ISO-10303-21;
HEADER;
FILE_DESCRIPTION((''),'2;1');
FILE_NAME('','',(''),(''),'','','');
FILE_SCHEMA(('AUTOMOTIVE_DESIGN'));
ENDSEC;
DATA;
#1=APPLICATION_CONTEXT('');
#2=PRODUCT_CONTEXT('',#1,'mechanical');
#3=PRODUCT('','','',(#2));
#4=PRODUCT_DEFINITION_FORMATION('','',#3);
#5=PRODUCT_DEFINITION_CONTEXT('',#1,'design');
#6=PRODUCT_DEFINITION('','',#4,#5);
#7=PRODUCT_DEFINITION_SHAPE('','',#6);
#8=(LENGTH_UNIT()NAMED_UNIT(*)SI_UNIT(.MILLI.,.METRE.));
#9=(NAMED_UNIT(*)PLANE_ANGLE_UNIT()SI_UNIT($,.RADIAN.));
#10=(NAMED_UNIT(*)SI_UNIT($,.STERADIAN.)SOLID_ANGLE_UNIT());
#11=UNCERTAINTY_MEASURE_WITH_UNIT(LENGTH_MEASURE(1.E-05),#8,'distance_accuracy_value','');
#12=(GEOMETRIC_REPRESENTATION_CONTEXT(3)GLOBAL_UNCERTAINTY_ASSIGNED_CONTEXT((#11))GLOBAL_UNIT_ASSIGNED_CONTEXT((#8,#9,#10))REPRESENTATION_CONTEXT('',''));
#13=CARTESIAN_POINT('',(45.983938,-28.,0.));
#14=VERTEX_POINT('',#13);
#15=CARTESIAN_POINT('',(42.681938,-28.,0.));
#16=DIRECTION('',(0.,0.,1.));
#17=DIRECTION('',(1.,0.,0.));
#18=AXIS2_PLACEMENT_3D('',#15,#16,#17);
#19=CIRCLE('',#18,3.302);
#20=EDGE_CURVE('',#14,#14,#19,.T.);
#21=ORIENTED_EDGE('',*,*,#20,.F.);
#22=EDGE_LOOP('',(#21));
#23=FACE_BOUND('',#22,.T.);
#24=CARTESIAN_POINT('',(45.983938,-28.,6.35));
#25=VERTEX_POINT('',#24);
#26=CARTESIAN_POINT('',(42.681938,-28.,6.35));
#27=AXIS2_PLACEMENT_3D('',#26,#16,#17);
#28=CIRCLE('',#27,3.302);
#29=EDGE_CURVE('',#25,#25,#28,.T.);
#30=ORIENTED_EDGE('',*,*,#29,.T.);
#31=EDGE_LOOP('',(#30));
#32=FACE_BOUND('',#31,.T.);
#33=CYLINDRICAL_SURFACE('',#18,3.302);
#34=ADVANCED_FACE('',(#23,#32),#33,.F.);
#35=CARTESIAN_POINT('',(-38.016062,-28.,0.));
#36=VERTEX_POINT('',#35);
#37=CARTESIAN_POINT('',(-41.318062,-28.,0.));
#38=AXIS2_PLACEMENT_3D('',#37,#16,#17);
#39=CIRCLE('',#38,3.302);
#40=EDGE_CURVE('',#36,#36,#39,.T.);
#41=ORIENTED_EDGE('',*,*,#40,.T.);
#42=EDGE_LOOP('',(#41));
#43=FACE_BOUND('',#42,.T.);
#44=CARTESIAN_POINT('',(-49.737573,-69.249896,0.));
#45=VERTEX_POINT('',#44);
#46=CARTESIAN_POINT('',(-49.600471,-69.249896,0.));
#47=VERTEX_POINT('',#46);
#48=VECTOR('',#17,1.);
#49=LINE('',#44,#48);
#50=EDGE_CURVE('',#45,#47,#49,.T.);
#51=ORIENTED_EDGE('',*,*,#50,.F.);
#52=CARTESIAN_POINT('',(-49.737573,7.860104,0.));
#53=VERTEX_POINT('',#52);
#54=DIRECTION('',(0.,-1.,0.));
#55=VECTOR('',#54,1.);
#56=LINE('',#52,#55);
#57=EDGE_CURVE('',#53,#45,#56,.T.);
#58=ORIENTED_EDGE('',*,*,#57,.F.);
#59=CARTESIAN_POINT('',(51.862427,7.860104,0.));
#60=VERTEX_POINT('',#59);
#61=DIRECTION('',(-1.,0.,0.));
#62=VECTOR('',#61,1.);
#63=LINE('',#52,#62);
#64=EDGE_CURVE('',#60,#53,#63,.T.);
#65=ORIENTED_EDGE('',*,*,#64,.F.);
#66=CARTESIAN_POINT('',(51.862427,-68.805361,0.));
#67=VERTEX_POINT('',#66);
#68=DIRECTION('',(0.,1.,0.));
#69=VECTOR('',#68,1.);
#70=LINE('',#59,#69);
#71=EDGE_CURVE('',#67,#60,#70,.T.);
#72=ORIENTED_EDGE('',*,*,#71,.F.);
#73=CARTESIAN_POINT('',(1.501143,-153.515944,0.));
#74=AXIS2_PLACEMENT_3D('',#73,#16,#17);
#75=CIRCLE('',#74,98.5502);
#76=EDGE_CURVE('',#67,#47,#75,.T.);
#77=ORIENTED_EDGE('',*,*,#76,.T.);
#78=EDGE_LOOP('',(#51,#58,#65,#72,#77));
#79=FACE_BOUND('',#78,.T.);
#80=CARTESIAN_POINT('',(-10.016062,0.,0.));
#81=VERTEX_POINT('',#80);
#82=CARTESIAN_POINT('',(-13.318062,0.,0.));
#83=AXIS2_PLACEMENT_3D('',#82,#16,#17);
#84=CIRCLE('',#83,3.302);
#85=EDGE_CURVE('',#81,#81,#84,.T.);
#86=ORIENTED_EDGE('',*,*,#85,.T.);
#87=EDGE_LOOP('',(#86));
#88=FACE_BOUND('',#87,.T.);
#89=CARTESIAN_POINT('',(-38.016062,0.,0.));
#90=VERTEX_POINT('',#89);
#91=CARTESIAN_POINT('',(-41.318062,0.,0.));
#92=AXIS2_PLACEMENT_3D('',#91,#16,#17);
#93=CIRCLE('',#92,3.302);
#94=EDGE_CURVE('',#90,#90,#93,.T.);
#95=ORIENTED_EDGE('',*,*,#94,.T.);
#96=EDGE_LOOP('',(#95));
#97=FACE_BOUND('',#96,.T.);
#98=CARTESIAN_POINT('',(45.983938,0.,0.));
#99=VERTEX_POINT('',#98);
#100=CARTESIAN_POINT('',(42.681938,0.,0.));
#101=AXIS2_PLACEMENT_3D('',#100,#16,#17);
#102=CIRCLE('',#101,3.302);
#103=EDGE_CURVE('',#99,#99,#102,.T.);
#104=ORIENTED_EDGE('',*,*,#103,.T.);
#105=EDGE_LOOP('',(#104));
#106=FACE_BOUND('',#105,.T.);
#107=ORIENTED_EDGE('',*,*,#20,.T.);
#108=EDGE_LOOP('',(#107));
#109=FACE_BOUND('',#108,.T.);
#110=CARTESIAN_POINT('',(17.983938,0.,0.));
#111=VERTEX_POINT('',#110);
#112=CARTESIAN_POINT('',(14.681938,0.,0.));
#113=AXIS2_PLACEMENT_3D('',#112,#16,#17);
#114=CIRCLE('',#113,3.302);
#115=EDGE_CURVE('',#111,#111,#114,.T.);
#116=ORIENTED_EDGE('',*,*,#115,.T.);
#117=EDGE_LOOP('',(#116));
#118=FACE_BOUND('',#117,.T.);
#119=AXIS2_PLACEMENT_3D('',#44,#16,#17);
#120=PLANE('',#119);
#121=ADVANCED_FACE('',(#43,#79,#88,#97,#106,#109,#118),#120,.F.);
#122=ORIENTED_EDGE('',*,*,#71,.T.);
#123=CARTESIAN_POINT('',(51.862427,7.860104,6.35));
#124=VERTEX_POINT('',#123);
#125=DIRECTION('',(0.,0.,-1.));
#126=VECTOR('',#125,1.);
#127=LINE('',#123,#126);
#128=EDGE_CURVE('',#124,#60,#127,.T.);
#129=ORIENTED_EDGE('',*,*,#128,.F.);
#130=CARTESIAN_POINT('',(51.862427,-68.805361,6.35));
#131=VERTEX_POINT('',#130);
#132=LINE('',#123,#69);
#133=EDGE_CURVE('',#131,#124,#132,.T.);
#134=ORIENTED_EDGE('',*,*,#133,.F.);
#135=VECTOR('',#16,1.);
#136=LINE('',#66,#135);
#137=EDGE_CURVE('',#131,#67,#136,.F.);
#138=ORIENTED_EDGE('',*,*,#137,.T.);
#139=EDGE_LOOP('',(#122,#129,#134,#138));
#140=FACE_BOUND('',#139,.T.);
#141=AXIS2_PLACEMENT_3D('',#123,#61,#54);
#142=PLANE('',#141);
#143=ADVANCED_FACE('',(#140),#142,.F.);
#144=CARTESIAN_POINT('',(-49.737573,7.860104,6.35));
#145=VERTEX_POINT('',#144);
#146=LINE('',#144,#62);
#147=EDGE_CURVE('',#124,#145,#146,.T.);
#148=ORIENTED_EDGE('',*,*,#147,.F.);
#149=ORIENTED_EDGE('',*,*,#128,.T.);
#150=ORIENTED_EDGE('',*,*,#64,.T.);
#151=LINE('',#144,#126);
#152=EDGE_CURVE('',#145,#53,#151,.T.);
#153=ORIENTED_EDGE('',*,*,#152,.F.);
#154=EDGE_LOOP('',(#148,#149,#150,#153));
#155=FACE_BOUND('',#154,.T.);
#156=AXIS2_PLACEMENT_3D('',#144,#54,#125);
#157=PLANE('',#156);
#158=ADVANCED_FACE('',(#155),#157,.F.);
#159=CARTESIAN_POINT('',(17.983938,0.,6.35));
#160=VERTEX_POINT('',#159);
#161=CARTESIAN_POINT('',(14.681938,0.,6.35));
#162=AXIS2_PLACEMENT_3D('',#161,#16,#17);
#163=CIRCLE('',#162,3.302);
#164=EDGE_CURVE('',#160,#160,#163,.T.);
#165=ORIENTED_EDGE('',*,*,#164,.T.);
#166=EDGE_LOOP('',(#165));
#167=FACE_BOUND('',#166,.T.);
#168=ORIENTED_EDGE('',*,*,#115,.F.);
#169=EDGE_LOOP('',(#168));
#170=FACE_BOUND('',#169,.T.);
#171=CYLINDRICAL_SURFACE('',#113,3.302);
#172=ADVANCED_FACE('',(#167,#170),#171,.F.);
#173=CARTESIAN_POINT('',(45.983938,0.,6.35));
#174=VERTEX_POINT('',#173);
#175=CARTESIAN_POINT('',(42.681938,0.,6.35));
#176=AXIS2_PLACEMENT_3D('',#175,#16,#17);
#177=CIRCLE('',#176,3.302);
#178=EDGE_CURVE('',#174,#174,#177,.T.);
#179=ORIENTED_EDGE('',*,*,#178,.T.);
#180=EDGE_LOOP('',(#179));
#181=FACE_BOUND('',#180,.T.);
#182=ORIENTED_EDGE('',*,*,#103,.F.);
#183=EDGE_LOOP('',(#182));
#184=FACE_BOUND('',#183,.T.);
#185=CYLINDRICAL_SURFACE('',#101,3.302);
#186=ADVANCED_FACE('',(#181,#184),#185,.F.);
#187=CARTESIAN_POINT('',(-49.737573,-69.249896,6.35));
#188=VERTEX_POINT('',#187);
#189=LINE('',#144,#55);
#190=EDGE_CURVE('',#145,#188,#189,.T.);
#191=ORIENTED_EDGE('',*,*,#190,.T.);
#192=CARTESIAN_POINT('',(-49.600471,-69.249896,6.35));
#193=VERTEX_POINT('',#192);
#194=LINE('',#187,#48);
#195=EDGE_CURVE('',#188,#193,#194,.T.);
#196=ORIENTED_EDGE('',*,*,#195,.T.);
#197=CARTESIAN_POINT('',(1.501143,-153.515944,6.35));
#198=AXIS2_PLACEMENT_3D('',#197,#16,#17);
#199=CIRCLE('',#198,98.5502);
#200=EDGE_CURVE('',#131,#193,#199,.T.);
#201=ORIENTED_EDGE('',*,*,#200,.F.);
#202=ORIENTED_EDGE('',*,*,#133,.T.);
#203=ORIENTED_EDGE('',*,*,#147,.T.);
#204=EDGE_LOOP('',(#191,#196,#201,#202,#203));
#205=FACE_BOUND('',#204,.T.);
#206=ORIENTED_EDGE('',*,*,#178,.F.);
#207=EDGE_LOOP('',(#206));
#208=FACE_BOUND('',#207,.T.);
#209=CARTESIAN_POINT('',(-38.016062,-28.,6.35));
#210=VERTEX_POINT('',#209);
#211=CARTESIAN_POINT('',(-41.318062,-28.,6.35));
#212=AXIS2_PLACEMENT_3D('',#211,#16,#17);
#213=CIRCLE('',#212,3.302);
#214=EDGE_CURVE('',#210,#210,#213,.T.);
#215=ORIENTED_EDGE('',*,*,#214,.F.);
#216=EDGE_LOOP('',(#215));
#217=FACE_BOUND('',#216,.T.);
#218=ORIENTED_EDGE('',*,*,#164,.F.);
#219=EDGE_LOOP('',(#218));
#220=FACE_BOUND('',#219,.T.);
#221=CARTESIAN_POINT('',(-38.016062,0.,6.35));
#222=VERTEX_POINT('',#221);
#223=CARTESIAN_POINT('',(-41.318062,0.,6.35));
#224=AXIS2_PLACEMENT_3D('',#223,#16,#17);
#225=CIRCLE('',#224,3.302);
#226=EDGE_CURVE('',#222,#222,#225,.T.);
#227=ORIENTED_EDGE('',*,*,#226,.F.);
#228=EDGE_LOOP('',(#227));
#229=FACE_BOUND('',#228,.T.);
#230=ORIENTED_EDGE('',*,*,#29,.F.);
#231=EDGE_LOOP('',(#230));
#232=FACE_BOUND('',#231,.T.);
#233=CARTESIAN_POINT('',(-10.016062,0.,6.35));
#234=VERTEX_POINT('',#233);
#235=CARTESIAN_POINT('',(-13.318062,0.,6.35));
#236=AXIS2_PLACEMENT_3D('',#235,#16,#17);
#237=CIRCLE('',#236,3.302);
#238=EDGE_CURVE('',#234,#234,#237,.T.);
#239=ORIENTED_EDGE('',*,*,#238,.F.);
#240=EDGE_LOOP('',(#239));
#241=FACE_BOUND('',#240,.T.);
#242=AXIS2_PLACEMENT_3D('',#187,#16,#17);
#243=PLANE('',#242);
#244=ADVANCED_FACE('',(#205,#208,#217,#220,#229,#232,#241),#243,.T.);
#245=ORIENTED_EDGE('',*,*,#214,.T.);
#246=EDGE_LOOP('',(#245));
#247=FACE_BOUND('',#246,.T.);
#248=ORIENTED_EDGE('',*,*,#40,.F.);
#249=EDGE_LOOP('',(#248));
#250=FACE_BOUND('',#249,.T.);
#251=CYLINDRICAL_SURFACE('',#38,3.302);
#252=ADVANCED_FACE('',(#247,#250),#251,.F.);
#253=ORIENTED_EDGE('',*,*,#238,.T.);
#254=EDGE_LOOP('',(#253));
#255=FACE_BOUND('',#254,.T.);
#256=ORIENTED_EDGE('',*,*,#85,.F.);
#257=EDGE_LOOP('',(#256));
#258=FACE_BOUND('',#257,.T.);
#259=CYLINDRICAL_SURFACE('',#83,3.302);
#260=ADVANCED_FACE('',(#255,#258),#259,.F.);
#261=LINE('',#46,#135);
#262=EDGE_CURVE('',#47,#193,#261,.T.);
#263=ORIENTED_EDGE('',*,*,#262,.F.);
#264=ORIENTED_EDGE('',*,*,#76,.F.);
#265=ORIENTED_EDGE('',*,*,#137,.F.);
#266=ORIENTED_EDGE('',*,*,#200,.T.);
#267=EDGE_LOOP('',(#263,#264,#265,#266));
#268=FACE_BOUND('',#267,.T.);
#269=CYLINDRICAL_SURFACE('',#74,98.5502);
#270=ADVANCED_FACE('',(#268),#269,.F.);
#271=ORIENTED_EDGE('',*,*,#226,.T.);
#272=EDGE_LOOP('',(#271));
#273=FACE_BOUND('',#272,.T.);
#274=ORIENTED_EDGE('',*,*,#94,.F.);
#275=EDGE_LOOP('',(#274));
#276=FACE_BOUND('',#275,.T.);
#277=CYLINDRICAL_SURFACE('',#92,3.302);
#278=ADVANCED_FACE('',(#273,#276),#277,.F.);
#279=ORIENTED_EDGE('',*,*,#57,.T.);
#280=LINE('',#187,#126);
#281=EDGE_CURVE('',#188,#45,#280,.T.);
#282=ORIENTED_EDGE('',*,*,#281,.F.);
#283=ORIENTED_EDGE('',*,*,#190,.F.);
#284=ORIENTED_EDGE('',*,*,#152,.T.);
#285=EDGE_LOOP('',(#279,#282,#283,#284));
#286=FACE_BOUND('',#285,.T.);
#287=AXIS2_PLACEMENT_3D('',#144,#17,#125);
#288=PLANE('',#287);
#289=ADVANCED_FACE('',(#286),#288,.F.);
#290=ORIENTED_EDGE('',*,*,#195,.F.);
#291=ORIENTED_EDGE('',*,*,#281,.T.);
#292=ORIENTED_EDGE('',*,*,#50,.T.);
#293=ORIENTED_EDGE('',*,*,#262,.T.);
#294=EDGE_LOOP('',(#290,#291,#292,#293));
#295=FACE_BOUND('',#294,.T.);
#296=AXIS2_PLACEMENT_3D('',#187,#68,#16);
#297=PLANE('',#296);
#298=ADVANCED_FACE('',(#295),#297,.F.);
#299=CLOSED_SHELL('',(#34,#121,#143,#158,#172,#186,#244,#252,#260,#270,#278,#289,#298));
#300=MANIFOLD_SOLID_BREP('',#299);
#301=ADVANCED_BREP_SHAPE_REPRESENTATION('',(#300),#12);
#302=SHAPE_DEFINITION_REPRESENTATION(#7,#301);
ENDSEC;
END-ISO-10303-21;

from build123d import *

# Parameters (mm, degrees)
SKETCH1_W           = 101.6
SKETCH1_H           = 77.11
BOSS_EXTRUDE1_DEPTH = 6.35
SKETCH2_R           = 98.5502
CUT_EXTRUDE1_DEPTH  = 7.35
SKETCH3_R           = 3.302
CUT_EXTRUDE2_DEPTH  = 7.35


with BuildPart() as part:
    # Sketch1 → Boss-Extrude1 (new body)
    with BuildSketch(Plane.XY):
        with Locations((1.062427377, -30.694895509)):
            Rectangle(SKETCH1_W, SKETCH1_H)
    extrude(amount=BOSS_EXTRUDE1_DEPTH)

    # Sketch2 → Cut-Extrude1 (cut, through all)
    with BuildSketch(Plane.XY.offset(6.35)):
        with Locations((1.501142757, -153.515944306)):
            Circle(SKETCH2_R)
    extrude(amount=-CUT_EXTRUDE1_DEPTH, mode=Mode.SUBTRACT)

    # Sketch3 → Cut-Extrude2 (cut, through all)
    with BuildSketch(Plane.XY.offset(6.35)):
        with Locations((-41.318062251, 0)):
            Circle(SKETCH3_R)
        with Locations((-13.318062251, 0)):
            Circle(SKETCH3_R)
        with Locations((14.681937749, 0)):
            Circle(SKETCH3_R)
        with Locations((42.681937749, 0)):
            Circle(SKETCH3_R)
        with Locations((-41.318062251, -28)):
            Circle(SKETCH3_R)
        with Locations((42.681937749, -28)):
            Circle(SKETCH3_R)
    extrude(amount=-CUT_EXTRUDE2_DEPTH, mode=Mode.SUBTRACT)


solid = part.part
